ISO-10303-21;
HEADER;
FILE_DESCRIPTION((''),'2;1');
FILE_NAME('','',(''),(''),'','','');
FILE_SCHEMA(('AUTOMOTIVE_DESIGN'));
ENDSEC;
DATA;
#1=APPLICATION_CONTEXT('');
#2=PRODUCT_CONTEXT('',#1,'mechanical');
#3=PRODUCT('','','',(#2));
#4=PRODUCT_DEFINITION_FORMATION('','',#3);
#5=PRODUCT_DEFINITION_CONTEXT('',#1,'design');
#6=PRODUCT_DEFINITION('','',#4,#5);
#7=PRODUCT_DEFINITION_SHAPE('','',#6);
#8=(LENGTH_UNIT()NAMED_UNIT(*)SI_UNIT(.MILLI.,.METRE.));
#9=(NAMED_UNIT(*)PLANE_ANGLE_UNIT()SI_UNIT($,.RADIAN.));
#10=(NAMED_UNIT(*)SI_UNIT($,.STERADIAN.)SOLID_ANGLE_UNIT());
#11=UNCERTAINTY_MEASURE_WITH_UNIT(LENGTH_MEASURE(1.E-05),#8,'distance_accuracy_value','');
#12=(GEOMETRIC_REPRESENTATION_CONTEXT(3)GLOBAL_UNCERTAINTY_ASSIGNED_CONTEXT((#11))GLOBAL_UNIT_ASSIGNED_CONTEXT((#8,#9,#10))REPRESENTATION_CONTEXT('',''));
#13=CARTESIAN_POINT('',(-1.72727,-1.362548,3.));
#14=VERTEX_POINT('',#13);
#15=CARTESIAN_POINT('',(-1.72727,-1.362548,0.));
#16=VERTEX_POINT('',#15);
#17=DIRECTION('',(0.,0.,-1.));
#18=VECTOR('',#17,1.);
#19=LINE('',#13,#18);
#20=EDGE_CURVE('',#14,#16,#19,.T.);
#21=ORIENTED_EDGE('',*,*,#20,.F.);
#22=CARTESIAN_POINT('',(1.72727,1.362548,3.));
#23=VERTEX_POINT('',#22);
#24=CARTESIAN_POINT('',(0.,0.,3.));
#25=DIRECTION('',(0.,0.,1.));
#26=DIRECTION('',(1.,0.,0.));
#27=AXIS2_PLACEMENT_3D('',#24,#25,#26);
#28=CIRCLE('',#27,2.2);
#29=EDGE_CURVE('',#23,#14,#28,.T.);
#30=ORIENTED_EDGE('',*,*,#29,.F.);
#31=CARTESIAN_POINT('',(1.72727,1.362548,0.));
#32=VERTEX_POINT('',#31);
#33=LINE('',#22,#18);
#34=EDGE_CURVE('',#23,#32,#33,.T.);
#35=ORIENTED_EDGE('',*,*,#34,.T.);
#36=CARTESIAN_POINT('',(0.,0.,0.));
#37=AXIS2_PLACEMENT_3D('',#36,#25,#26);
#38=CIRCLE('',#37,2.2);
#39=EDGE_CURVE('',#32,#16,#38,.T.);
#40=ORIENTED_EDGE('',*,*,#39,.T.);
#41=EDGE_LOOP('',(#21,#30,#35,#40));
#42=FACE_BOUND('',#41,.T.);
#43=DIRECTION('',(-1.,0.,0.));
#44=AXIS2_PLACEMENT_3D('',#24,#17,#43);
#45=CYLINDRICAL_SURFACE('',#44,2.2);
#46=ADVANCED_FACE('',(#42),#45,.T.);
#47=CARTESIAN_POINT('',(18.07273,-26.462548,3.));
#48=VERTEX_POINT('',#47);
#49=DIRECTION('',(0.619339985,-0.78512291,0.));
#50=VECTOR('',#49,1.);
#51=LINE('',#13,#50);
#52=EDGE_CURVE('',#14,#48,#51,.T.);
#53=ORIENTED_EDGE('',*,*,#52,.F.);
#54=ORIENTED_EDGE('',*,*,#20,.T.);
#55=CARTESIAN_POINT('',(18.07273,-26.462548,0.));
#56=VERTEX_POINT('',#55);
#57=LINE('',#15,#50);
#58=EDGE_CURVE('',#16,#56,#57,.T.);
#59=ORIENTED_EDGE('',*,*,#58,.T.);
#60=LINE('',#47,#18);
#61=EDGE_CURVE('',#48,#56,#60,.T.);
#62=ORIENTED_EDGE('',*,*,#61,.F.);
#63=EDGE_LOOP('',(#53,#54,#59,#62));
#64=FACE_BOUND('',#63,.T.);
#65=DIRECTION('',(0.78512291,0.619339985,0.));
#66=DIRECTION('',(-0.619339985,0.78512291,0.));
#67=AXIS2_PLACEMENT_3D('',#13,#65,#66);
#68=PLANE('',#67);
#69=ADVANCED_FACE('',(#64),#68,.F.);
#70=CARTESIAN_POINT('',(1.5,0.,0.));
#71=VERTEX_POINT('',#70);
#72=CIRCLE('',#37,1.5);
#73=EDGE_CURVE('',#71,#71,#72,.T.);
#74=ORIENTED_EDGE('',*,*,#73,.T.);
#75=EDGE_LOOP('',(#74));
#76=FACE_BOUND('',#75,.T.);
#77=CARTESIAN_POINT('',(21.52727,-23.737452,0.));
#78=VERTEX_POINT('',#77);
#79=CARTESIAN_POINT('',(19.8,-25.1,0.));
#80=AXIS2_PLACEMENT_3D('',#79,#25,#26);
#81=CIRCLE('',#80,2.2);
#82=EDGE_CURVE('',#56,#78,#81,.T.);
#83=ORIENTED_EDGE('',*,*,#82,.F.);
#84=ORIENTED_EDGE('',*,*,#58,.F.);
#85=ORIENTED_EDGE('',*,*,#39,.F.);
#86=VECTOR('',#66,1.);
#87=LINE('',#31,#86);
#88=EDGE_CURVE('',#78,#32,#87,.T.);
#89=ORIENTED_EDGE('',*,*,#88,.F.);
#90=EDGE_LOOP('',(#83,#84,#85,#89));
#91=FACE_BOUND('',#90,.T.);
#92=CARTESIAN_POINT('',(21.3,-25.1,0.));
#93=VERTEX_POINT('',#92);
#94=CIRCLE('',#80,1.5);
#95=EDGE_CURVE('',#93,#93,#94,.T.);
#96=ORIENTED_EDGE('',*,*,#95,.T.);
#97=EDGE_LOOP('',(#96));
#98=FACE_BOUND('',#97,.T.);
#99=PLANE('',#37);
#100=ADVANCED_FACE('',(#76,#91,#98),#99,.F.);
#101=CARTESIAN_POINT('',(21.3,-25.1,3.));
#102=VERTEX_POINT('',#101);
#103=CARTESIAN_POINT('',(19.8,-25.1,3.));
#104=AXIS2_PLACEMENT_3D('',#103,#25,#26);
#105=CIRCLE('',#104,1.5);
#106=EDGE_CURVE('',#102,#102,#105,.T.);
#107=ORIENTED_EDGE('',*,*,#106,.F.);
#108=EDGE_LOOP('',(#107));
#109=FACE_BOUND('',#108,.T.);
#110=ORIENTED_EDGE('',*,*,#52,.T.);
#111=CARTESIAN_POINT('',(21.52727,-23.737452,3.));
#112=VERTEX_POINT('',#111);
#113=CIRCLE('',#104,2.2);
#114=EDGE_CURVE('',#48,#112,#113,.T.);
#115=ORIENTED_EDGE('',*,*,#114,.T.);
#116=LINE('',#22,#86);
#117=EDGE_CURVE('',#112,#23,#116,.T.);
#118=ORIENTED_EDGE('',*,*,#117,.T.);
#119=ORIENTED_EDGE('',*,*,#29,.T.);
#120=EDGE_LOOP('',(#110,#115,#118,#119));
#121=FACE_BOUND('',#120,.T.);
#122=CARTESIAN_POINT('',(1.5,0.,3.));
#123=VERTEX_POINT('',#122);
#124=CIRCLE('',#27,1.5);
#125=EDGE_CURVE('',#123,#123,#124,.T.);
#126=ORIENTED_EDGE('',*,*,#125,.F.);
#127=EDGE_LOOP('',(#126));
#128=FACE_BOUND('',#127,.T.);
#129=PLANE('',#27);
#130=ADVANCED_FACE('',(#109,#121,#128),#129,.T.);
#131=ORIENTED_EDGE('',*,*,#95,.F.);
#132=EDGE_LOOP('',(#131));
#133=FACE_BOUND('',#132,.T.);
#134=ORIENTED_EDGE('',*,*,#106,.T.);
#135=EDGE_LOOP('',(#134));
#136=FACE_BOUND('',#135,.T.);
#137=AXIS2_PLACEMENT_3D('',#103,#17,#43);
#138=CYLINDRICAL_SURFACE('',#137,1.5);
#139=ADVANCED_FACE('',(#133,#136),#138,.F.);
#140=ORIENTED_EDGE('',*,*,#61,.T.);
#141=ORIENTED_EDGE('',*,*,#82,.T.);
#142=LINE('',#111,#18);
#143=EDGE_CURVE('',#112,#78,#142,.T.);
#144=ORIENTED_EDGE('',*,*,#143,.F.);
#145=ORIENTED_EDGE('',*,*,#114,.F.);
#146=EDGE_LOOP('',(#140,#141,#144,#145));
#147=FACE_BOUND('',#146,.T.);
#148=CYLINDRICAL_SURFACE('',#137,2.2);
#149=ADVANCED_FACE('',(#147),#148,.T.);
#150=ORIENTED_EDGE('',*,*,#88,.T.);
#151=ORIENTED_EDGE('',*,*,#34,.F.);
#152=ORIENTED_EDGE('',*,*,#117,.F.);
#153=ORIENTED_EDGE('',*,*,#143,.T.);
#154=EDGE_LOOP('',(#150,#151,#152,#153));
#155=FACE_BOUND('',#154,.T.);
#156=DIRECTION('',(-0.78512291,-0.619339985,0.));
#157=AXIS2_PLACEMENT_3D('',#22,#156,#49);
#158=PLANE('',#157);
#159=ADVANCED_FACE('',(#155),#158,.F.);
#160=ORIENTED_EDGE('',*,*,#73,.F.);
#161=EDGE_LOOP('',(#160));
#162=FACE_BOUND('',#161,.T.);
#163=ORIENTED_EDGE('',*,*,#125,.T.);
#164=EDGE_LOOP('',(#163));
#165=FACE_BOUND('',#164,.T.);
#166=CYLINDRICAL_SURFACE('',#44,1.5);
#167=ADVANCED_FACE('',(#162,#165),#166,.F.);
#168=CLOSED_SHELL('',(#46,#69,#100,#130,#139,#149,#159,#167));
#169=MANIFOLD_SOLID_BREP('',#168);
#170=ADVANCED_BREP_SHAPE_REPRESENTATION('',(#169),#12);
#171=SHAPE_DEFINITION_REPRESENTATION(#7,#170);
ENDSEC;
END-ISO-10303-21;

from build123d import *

# Parameters (mm, degrees)
ESQUISSE1_R        = 1.5
BOSS_EXTRU_1_DEPTH = 3


with BuildPart() as part:
    # Esquisse1 → Boss.-Extru.1 (new body)
    with BuildSketch(Plane.XY):
        with BuildLine():
            Line((1.727270402, 1.362547966), (21.527270402, -23.737452034))
            ThreePointArc((21.527270402, -23.737452034), (21.162547966, -26.827270402), (18.072729598, -26.462547966))
            Line((18.072729598, -26.462547966), (-1.727270402, -1.362547966))
            ThreePointArc((-1.727270402, -1.362547966), (-1.362547966, 1.727270402), (1.727270402, 1.362547966))
        make_face()
        Circle(ESQUISSE1_R, mode=Mode.SUBTRACT)
        with Locations((19.8, -25.1)):
            Circle(ESQUISSE1_R, mode=Mode.SUBTRACT)
    extrude(amount=BOSS_EXTRU_1_DEPTH)


solid = part.part
